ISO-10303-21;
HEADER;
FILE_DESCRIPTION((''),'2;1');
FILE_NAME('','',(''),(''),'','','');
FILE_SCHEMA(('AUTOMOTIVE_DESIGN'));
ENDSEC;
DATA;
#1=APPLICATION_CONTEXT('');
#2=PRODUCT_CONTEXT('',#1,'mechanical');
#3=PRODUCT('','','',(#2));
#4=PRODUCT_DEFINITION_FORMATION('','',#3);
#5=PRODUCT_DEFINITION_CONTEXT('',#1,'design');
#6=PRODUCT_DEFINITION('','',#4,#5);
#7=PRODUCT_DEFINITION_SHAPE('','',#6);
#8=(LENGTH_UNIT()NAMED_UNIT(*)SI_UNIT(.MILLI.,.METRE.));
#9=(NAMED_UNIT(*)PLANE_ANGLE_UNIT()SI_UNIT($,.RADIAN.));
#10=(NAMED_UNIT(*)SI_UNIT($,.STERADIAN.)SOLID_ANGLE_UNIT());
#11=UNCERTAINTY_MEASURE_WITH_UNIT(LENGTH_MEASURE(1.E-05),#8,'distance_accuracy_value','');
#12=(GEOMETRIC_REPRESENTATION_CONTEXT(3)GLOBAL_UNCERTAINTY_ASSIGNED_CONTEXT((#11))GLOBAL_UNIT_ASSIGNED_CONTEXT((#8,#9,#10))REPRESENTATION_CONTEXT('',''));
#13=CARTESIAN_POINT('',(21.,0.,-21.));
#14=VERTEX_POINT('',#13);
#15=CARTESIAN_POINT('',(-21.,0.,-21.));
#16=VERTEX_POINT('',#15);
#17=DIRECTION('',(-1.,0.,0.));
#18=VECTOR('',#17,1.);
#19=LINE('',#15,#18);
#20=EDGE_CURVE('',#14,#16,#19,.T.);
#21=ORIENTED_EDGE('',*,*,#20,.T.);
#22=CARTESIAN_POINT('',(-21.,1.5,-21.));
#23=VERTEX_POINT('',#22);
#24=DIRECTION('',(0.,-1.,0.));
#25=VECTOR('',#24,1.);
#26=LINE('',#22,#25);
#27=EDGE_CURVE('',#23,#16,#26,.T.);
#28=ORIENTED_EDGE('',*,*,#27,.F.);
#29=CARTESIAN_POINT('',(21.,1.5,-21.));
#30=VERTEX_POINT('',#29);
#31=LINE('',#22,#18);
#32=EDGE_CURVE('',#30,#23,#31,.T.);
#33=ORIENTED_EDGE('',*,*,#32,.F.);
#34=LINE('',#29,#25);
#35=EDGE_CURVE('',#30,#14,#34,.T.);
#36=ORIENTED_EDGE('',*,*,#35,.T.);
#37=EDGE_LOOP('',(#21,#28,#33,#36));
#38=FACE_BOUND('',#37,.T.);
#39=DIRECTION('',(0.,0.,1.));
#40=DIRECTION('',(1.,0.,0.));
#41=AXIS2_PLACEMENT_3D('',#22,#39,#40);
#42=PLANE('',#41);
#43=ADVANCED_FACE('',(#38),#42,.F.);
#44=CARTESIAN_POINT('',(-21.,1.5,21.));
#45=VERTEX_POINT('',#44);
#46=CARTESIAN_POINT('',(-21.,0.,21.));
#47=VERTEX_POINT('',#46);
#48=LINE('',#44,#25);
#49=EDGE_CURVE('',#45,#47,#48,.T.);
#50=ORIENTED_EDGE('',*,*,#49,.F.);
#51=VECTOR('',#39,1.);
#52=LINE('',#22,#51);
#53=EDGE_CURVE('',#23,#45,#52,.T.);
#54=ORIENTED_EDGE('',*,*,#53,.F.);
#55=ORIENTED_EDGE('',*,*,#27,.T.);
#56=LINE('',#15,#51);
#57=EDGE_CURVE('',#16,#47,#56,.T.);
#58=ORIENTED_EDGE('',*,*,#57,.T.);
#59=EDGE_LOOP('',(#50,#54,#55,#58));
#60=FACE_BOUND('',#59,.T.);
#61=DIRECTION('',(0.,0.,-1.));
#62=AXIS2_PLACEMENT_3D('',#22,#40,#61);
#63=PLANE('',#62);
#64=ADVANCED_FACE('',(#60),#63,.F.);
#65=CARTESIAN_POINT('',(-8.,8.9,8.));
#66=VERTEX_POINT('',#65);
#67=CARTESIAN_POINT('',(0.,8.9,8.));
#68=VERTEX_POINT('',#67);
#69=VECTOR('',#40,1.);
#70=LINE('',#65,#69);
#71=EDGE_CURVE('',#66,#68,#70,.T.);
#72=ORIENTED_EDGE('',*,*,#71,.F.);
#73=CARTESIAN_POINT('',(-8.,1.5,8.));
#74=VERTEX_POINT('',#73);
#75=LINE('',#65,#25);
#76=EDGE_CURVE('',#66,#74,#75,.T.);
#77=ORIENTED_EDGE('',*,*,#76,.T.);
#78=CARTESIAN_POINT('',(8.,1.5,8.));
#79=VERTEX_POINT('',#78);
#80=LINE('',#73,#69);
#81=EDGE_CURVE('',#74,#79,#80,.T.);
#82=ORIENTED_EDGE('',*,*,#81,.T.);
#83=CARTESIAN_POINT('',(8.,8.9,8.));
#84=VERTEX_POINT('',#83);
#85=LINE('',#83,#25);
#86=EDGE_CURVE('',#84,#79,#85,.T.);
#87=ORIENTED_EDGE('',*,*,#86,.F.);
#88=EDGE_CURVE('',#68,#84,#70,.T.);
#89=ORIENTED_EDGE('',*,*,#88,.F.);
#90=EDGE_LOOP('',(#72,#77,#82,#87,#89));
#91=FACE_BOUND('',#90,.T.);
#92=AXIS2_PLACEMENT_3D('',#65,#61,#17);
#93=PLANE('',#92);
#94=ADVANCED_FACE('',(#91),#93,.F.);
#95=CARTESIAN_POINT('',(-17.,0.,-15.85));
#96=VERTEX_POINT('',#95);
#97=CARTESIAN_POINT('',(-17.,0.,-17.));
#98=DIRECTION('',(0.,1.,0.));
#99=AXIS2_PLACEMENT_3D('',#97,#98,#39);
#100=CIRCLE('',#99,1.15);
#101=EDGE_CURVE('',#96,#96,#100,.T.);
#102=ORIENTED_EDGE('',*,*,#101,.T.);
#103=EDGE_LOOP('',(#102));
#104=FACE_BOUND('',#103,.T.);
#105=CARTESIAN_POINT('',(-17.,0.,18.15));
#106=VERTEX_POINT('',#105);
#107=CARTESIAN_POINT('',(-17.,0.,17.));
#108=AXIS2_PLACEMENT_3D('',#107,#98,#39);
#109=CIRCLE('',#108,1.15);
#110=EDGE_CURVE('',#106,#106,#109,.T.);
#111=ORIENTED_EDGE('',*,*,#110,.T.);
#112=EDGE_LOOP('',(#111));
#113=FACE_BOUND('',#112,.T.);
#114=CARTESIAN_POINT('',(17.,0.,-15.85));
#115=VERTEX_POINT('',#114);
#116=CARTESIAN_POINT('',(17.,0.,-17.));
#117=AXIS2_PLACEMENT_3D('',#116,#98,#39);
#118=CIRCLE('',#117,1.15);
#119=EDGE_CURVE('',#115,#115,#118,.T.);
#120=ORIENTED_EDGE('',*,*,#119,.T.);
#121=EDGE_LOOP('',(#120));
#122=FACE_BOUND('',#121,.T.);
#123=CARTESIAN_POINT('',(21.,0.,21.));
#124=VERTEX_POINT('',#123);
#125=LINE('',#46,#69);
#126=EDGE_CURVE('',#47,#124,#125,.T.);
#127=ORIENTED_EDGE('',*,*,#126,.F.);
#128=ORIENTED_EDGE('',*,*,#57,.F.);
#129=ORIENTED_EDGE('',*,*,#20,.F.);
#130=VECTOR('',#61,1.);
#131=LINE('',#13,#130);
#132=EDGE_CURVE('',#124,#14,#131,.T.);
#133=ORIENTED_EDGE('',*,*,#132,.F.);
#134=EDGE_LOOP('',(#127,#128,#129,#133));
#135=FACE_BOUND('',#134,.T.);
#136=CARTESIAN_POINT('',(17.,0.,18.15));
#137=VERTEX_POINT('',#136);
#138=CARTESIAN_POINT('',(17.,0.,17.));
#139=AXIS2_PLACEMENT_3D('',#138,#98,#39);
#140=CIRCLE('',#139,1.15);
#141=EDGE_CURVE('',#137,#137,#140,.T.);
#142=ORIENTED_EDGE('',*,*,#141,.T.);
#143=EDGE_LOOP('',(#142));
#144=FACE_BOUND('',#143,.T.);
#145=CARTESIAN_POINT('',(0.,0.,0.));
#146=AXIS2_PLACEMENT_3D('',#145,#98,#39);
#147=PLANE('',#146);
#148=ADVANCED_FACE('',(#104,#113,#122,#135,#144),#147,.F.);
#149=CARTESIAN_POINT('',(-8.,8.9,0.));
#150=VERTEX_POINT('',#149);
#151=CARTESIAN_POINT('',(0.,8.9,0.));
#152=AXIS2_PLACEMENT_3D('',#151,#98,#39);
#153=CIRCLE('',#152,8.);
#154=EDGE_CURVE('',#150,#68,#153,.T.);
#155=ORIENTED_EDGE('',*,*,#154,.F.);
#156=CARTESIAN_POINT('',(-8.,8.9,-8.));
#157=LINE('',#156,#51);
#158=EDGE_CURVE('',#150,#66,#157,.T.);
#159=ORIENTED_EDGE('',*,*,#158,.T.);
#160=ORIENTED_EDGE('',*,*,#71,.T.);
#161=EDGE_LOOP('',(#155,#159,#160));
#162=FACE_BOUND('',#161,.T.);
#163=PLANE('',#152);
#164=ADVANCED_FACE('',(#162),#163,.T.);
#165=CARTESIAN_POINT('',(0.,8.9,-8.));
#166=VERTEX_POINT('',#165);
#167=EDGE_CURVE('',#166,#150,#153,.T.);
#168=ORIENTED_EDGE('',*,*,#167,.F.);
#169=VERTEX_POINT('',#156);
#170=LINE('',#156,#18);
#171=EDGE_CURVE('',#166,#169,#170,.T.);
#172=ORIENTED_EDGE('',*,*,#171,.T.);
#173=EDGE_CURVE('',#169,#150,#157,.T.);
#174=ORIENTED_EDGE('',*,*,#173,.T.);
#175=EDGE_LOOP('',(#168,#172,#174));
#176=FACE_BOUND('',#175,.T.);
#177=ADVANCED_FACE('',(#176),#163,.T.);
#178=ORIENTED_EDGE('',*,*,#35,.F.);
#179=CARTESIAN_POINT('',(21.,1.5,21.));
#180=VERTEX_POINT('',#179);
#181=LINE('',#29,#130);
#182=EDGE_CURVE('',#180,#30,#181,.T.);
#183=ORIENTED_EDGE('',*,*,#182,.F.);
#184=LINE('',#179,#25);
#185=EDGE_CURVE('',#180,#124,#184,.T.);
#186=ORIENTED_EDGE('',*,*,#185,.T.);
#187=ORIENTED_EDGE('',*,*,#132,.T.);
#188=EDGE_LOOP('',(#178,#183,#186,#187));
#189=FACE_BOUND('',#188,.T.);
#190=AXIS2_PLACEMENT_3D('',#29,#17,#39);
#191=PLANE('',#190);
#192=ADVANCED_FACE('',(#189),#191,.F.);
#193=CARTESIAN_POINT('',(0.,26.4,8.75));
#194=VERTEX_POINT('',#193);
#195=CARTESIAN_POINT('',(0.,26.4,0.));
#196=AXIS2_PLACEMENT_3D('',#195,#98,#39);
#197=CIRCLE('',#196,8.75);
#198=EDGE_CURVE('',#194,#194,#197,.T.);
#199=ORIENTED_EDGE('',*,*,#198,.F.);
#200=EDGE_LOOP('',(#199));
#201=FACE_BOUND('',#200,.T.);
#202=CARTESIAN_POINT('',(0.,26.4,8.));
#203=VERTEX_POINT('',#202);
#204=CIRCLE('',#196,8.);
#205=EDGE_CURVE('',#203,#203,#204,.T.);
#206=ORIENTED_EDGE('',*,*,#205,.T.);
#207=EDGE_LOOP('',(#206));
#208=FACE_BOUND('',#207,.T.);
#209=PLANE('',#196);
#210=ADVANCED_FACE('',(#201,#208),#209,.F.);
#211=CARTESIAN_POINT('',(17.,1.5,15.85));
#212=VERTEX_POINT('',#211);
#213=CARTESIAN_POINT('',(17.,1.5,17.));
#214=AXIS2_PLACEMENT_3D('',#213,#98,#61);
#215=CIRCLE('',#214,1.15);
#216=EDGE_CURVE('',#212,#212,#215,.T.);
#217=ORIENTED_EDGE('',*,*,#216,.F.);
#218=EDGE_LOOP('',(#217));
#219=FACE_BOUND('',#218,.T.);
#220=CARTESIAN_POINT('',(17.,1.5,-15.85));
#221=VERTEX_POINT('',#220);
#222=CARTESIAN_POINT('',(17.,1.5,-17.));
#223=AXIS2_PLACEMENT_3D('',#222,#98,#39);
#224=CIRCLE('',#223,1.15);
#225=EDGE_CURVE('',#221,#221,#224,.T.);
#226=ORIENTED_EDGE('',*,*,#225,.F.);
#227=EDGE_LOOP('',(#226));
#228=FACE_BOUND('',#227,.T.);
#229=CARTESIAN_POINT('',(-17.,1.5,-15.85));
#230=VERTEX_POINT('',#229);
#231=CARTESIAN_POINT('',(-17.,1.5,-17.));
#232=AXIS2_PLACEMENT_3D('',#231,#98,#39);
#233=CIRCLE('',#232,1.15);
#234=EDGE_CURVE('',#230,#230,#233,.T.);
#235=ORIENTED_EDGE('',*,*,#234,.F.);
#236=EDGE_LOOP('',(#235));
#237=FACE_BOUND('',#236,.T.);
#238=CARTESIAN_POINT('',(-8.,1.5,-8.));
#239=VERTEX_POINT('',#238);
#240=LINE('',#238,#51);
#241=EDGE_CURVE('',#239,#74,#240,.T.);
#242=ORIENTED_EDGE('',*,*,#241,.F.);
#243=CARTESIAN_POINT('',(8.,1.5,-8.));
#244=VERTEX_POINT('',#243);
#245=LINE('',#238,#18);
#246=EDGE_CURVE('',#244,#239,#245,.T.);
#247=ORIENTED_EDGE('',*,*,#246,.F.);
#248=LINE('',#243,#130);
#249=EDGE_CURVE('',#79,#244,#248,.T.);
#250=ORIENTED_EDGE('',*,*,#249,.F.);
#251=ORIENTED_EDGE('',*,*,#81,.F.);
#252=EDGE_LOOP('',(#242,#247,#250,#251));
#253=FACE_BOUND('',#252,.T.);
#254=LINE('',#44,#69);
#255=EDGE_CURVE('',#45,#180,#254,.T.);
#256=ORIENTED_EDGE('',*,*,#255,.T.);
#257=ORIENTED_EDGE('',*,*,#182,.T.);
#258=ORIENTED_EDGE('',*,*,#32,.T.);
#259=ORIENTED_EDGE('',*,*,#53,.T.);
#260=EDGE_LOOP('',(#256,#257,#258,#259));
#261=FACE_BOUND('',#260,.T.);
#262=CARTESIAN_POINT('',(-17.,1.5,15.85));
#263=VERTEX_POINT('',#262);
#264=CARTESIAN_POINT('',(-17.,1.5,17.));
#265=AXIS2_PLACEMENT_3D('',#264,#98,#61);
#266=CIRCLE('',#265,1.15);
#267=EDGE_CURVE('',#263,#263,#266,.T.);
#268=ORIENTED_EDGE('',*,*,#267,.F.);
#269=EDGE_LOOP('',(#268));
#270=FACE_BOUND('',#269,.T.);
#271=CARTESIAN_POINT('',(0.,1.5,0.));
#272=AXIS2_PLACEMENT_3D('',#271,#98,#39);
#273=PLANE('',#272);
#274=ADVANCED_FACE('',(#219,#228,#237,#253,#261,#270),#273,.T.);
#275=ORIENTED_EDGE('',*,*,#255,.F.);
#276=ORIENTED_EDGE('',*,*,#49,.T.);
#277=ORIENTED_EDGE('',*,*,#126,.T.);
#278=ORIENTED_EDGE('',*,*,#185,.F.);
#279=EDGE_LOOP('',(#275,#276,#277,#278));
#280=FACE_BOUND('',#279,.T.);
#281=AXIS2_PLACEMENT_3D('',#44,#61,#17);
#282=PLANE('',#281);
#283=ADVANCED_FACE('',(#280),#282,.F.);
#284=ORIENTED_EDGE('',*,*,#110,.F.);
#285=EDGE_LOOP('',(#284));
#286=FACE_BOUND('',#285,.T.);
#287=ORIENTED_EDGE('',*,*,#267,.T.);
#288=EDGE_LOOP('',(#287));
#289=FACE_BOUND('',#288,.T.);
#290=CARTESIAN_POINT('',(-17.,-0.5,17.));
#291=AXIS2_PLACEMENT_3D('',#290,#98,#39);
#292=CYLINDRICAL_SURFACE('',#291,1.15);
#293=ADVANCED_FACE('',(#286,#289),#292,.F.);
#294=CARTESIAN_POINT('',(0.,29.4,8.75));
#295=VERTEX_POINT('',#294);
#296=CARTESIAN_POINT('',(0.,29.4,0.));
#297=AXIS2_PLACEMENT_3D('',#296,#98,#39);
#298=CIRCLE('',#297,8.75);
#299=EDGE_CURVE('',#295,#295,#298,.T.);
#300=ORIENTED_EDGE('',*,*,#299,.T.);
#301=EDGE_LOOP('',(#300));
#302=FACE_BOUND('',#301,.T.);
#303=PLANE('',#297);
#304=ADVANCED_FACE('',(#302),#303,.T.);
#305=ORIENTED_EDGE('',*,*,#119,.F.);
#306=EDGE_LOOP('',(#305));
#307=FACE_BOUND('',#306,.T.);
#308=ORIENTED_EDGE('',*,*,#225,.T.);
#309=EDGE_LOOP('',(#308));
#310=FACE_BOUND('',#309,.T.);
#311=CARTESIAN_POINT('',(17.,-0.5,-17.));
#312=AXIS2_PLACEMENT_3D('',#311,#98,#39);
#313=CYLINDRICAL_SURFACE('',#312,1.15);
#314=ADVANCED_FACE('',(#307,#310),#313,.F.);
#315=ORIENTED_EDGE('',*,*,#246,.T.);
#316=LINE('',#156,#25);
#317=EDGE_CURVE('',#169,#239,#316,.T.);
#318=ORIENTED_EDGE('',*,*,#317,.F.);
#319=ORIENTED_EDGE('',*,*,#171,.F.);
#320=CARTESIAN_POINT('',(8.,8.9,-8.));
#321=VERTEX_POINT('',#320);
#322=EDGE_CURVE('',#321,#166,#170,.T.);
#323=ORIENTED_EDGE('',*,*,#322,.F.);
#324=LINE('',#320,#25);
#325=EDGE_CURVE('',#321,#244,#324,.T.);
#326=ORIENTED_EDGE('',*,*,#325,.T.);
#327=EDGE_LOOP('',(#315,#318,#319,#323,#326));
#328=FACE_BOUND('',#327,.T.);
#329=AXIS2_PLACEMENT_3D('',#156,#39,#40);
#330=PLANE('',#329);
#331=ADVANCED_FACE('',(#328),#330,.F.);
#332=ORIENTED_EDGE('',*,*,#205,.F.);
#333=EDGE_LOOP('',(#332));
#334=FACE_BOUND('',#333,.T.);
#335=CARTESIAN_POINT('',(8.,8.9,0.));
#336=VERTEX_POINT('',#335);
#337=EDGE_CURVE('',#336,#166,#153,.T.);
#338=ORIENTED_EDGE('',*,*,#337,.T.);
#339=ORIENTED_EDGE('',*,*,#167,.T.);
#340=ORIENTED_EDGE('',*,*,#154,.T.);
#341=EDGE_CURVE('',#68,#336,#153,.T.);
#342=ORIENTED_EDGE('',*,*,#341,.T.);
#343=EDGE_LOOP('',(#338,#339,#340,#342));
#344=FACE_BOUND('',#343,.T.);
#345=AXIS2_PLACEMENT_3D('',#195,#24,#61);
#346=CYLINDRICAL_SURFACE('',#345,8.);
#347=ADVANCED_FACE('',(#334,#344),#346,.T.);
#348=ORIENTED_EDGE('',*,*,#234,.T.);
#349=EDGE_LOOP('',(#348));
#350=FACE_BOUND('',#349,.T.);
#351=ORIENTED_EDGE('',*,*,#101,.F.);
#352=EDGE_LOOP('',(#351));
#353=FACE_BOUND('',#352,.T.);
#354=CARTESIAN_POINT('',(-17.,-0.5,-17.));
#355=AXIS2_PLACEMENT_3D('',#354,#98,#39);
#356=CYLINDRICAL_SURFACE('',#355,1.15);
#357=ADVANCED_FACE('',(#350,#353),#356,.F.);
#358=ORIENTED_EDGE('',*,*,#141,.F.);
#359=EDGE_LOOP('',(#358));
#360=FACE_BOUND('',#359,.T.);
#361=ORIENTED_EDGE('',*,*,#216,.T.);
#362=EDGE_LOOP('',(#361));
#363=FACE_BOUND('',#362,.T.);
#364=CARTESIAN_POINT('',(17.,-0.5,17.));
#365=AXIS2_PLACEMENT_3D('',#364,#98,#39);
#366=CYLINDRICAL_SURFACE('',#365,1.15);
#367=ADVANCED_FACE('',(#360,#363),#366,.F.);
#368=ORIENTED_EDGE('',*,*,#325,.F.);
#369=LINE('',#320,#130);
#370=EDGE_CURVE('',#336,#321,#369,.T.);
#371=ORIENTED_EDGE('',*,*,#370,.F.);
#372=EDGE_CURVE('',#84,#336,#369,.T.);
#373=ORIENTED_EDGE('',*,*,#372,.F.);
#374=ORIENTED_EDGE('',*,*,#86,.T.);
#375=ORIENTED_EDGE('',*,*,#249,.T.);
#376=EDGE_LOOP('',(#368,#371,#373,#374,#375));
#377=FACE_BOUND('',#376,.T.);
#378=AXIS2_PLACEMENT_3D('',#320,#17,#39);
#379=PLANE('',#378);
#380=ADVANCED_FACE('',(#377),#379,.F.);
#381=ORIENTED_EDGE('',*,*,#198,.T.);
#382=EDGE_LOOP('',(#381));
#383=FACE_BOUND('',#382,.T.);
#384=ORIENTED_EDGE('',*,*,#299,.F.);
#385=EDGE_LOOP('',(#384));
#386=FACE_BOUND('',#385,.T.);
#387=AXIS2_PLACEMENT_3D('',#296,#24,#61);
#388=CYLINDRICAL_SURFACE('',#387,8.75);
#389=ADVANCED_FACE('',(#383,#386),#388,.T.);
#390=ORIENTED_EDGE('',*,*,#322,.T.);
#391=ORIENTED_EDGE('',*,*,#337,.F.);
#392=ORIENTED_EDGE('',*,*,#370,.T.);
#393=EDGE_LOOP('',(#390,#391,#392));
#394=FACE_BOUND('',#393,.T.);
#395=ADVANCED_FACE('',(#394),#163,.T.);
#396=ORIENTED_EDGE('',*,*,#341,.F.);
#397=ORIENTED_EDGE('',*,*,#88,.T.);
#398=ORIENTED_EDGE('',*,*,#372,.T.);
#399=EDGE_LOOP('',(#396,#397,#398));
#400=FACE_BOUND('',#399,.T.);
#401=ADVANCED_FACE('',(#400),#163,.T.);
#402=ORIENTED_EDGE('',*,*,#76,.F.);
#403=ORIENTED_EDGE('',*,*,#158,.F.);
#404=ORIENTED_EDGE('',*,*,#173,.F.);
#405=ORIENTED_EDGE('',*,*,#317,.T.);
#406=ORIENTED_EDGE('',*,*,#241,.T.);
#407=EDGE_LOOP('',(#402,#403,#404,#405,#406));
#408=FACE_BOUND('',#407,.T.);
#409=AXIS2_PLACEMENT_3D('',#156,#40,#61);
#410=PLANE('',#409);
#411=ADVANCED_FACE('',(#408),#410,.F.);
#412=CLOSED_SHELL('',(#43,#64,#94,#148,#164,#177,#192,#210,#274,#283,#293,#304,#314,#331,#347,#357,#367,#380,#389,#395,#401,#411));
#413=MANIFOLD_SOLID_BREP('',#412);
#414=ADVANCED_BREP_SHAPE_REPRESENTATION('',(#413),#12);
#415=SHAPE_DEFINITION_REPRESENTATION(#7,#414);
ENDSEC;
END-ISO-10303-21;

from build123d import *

# Parameters (mm, degrees)
SKETCH_1_W          = 42
SKETCH_1_H          = 42
EXTRUDE_1_DEPTH     = 1.5
SKETCH_2_R          = 1.15
CUT_EXTRUDE_1_DEPTH = 2
SKETCH_3_R          = 8
EXTRUDE_2_DEPTH     = 24.9
SKETCH_4_W          = 16
SKETCH_4_H          = 16
EXTRUDE_3_DEPTH     = 7.4
SKETCH_5_R          = 8.75
EXTRUDE_4_DEPTH     = 3


with BuildPart() as part:
    # 草图1 → 凸台-拉伸1 (new body)
    with BuildSketch(Plane(origin=(0, 0, 0), x_dir=(1, 0, 0), z_dir=(0, 1, 0))):
        Rectangle(SKETCH_1_W, SKETCH_1_H)
    extrude(amount=EXTRUDE_1_DEPTH)

    # 草图2 → 切除-拉伸1 (cut)
    with BuildSketch(Plane(origin=(0, 1.5, 0), x_dir=(1, 0, 0), z_dir=(0, 1, 0))):
        with Locations(Location((-17, 17, 0), (0, 0, 270))):
            Circle(SKETCH_2_R)
        with Locations(Location((17, 17, 0), (0, 0, 270))):
            Circle(SKETCH_2_R)
        with Locations(Location((-17, -17, 0), (0, 0, 270))):
            Circle(SKETCH_2_R)
        with Locations(Location((17, -17, 0), (0, 0, 270))):
            Circle(SKETCH_2_R)
    extrude(amount=-CUT_EXTRUDE_1_DEPTH, mode=Mode.SUBTRACT)

    # 草图3 → 凸台-拉伸2 (add)
    with BuildSketch(Plane(origin=(0, 1.5, 0), x_dir=(1, 0, 0), z_dir=(0, 1, 0))):
        with Locations(Location((0, 0, 0), (0, 0, 270))):
            Circle(SKETCH_3_R)
    extrude(amount=EXTRUDE_2_DEPTH)

    # 草图4 → 凸台-拉伸3 (add)
    with BuildSketch(Plane(origin=(0, 1.5, 0), x_dir=(1, 0, 0), z_dir=(0, 1, 0))):
        Rectangle(SKETCH_4_W, SKETCH_4_H)
    extrude(amount=EXTRUDE_3_DEPTH)

    # 草图5 → 凸台-拉伸4 (add)
    with BuildSketch(Plane(origin=(0, 26.4, 0), x_dir=(1, 0, 0), z_dir=(0, 1, 0))):
        with Locations(Location((0, 0, 0), (0, 0, 270))):
            Circle(SKETCH_5_R)
    extrude(amount=EXTRUDE_4_DEPTH)


solid = part.part
